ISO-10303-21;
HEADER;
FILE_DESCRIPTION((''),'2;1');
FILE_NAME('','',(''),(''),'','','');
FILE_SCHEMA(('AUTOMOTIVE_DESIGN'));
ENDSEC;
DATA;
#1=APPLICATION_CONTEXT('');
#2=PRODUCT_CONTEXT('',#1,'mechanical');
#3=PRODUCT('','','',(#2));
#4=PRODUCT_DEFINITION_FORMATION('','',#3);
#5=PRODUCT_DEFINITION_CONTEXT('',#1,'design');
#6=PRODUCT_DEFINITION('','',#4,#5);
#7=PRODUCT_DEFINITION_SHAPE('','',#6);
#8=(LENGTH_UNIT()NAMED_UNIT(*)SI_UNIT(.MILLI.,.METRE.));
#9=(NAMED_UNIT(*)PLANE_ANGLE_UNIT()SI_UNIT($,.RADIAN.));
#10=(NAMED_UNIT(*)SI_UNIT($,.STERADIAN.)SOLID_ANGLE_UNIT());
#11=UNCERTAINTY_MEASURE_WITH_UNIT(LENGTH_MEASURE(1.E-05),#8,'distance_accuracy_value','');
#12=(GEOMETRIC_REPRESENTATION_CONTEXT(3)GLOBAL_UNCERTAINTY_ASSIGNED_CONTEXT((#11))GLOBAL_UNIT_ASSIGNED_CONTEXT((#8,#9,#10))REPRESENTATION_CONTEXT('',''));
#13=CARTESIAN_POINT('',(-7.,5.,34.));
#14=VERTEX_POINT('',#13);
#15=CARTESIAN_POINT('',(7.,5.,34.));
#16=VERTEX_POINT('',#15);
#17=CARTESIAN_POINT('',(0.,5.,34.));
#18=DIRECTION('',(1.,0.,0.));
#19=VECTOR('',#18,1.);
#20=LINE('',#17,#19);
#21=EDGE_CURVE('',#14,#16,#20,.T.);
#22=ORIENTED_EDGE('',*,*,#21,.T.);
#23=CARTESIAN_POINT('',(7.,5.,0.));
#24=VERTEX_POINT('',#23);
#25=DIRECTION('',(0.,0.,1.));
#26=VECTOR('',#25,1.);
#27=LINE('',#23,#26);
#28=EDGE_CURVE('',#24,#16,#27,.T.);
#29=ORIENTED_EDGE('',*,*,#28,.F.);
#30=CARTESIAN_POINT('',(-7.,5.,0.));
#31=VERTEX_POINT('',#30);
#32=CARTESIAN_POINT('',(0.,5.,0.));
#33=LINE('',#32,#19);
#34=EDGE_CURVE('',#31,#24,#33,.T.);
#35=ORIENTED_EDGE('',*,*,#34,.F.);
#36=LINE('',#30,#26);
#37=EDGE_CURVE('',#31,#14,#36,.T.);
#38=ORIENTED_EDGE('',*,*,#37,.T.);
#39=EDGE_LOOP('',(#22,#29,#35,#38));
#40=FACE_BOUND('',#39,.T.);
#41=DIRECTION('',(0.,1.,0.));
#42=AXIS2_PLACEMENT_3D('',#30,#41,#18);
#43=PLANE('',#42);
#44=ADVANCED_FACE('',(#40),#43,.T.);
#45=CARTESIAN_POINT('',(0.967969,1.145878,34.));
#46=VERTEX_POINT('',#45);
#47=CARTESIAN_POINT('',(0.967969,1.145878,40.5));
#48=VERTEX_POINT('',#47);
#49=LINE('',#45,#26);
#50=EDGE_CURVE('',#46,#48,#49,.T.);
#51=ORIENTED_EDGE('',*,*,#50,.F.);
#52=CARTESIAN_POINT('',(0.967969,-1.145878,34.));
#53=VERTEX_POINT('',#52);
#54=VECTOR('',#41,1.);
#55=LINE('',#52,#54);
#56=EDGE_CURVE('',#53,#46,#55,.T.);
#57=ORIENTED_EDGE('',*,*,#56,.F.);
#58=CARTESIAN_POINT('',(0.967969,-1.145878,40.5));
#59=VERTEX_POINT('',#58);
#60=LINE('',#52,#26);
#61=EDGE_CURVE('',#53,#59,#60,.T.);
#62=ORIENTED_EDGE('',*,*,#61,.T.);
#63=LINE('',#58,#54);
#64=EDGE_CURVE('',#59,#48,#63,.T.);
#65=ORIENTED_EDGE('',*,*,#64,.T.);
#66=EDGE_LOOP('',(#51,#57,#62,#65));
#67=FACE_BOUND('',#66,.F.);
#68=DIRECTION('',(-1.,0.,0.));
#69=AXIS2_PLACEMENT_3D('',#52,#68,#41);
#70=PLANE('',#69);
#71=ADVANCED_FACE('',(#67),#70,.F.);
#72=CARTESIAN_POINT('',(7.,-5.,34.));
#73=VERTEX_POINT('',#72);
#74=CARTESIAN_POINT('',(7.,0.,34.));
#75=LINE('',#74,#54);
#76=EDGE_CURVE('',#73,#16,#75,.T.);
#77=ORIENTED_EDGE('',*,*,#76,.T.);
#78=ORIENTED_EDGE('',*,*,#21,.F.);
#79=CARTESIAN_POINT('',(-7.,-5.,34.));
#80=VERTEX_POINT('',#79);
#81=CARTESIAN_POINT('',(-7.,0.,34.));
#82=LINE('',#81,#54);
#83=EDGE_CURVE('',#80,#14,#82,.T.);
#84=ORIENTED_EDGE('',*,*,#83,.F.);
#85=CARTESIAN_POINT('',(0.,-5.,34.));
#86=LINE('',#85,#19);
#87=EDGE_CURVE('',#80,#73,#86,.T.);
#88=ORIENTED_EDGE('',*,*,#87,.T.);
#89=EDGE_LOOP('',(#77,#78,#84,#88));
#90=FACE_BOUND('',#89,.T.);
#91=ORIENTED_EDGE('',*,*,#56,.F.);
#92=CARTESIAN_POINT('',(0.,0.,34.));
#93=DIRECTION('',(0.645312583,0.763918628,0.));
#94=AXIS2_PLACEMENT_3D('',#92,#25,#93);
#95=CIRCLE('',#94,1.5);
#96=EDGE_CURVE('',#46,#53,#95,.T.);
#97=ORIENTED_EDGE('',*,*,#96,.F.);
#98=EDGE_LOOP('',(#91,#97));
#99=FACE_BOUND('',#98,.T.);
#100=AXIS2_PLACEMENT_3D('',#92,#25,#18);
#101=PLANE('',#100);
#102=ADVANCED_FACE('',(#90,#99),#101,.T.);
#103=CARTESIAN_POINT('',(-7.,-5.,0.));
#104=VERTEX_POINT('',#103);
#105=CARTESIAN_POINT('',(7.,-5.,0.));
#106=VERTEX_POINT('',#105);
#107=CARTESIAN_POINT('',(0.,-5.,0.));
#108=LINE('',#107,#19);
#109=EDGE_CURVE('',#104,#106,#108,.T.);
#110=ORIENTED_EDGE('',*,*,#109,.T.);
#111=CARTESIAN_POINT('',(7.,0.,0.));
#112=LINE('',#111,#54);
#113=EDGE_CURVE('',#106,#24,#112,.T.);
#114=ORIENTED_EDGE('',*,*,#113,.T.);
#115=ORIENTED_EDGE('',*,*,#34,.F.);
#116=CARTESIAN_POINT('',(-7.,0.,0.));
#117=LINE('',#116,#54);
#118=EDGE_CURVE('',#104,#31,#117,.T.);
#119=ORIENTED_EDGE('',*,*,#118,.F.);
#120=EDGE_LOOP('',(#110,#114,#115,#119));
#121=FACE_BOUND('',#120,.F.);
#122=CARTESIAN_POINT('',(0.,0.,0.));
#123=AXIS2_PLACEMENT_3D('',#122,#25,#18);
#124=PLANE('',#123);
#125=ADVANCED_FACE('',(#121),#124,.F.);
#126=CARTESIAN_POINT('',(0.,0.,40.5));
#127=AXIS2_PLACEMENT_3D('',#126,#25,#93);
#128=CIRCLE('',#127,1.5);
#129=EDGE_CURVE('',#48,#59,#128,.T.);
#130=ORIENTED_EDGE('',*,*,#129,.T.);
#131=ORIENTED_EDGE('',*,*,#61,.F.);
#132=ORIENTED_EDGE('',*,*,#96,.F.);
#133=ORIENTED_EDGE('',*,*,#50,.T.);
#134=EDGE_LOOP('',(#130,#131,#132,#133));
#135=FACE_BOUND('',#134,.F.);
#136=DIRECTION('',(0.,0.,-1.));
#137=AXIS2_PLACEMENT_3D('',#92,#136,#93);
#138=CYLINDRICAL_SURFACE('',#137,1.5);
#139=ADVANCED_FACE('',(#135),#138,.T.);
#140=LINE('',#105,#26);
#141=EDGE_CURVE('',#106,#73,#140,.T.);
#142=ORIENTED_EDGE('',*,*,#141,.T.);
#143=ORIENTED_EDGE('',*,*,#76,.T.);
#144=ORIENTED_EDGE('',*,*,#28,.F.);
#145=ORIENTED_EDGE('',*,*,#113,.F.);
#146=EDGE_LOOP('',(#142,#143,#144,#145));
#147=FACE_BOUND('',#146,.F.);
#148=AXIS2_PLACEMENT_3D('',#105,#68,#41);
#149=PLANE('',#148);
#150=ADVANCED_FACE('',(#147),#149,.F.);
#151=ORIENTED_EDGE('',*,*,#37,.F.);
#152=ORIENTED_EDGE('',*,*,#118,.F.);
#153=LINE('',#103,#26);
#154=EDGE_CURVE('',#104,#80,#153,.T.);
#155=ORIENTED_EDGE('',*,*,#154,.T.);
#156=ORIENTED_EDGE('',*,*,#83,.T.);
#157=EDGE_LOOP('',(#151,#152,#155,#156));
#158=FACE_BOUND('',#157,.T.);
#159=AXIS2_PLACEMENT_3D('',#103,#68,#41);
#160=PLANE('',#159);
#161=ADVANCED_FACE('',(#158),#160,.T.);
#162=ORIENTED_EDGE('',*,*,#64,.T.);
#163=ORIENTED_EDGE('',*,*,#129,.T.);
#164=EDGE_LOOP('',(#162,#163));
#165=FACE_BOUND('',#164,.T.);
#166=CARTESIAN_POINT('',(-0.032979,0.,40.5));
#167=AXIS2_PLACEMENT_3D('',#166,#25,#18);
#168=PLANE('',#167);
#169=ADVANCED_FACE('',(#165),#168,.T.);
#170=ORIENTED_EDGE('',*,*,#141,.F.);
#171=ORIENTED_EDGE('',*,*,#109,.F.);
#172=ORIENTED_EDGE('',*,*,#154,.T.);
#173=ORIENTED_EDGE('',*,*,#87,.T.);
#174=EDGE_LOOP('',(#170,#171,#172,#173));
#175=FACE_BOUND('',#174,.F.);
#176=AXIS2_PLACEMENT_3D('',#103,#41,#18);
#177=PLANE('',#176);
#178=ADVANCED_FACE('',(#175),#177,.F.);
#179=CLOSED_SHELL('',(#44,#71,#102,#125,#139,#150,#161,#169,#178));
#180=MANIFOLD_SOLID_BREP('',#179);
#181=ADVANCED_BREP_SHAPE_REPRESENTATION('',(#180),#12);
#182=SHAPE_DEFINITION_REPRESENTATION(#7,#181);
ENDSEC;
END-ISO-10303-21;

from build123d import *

# Parameters (mm, degrees)
F0_W     = 14
F0_H     = 10
F1_DEPTH = 34
F3_DEPTH = 6.5


with BuildPart() as f1:
    # F0 (on Top) → F1 (new body)
    with BuildSketch(Plane.XY):
        Rectangle(F0_W, F0_H)
    extrude(amount=F1_DEPTH)

    # F2 (on face) → F3 (join)
    with BuildSketch(Plane.XY.offset(34)):
        with BuildLine():
            Line((0.967969, -1.145878), (0.967969, 1.145878))
            ThreePointArc((0.967969, 1.145878), (-1.5, 0), (0.967969, -1.145878))
        make_face()
    extrude(amount=F3_DEPTH)


solid = f1.part
